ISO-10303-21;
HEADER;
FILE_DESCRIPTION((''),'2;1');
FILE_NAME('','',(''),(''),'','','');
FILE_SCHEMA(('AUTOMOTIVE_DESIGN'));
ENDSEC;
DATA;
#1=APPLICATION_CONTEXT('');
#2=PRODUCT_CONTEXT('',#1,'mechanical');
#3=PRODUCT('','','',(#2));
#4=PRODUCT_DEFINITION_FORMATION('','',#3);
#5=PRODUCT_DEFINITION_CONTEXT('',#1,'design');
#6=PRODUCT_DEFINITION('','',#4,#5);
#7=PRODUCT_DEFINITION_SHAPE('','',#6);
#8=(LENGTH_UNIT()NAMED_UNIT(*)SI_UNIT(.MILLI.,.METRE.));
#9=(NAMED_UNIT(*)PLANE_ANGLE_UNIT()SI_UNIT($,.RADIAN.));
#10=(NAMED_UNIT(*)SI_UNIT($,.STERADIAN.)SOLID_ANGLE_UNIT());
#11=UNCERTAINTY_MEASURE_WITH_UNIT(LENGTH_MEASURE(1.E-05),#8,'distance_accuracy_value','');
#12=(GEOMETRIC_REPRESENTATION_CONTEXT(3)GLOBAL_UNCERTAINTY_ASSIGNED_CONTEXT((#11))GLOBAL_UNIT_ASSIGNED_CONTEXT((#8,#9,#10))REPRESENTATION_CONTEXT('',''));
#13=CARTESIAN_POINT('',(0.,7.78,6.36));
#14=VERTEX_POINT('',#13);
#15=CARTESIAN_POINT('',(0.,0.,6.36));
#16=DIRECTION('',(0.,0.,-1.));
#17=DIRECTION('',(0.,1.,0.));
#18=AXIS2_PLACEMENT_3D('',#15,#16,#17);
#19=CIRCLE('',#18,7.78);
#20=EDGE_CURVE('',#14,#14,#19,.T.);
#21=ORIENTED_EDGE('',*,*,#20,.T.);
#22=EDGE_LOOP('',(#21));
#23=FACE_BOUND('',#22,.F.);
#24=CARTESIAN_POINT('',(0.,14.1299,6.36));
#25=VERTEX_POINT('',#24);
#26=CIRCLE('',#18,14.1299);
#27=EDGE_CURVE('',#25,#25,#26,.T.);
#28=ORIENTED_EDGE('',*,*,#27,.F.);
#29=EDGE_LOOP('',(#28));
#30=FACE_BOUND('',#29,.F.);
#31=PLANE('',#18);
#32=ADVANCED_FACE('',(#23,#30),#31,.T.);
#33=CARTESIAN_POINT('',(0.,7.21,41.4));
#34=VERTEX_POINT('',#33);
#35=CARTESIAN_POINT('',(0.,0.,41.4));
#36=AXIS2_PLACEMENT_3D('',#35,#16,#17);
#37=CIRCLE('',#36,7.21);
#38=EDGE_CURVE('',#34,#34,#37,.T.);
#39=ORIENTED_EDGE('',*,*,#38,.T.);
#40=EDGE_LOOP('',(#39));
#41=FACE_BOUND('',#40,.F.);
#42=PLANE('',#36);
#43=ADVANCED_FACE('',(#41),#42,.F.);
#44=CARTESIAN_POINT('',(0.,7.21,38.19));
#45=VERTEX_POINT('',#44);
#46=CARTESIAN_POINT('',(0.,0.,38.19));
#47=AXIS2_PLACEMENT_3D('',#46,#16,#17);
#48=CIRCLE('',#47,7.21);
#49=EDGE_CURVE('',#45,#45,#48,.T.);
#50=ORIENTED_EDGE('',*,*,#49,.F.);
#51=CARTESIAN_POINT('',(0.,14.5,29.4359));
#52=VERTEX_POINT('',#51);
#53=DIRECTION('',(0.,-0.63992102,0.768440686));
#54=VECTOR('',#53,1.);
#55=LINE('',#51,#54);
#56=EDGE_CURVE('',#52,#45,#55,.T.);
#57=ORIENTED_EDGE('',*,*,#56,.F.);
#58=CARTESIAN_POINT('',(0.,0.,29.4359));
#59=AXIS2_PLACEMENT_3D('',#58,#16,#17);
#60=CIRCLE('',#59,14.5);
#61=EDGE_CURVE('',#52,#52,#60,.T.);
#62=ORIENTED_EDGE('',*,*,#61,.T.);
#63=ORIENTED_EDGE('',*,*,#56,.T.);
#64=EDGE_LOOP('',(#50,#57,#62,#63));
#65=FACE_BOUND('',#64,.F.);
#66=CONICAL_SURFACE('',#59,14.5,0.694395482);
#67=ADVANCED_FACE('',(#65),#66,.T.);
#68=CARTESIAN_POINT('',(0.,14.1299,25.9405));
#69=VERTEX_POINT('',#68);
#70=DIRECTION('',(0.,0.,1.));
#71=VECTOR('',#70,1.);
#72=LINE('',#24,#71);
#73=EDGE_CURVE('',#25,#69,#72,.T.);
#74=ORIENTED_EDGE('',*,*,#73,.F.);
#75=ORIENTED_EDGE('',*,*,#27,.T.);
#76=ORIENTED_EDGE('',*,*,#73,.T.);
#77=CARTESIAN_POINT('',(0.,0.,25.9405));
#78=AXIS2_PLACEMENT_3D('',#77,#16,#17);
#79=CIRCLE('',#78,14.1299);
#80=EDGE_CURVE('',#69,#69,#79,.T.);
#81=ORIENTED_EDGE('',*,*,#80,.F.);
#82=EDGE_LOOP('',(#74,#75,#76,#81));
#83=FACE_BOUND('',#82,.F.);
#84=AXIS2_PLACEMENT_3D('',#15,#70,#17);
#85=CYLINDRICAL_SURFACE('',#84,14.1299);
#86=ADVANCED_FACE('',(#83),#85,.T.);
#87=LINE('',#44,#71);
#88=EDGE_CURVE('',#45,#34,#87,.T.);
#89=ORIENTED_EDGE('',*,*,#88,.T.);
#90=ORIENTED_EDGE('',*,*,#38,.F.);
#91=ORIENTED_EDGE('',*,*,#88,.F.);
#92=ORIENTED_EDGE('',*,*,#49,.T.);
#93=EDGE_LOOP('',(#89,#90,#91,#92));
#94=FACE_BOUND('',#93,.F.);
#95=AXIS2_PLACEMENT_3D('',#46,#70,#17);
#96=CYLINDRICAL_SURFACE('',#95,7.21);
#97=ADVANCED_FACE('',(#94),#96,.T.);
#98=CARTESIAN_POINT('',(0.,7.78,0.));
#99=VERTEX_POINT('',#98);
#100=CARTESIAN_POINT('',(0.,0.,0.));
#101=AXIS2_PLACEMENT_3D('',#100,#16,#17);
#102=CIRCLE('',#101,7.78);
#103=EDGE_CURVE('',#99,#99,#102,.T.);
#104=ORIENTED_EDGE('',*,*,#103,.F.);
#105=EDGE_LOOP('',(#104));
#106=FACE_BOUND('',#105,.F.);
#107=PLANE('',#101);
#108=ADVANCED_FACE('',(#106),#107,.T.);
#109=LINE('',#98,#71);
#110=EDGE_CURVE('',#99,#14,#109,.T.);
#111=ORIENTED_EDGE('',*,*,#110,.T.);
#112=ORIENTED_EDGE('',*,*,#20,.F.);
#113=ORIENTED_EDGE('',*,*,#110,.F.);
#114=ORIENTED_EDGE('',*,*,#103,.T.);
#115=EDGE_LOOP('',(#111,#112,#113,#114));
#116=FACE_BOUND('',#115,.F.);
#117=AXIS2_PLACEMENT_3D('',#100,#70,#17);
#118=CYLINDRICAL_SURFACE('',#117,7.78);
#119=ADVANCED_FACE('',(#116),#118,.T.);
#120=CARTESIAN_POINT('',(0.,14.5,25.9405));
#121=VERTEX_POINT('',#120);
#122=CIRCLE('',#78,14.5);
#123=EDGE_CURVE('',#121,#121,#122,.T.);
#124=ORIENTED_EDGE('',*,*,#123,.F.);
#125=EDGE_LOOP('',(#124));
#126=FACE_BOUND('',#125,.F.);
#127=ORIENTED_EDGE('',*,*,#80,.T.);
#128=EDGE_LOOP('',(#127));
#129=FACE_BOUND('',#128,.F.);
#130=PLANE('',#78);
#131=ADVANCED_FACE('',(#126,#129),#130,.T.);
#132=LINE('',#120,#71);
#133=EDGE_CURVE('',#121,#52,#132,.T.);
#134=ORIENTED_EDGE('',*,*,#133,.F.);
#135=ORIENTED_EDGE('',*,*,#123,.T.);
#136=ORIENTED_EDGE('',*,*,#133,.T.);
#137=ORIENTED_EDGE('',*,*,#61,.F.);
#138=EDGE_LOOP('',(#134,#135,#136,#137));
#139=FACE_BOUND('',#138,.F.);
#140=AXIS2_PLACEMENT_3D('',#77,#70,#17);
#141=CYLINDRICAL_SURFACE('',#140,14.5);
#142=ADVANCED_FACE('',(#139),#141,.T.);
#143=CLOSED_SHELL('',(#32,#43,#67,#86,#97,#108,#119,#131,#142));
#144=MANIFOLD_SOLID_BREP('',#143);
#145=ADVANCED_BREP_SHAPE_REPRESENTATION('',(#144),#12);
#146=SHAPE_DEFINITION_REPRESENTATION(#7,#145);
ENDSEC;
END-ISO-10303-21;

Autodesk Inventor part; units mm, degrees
ref_plane "YZ Plane" through (0, 0, 0) normal (1, 0, 0) x (0, 1, 0)
ref_plane "XZ Plane" through (0, 0, 0) normal (0, 1, 0) x (-1, 0, 0)
ref_plane "XY Plane" through (0, 0, 0) normal (0, 0, 1) x (1, 0, 0)
sketch "Sketch1" plane through (0, 0, 0) normal (1, 0, 0) x (0, 1, 0)
  line L0 (0, 0) -> (7.78, 0)
  line L1 (7.78, 0) -> (7.78, 6.36)
  line L2 (7.78, 6.36) -> (14.1299, 6.36)
  line L3 (14.1299, 6.36) -> (14.1299, 25.9405)
  line L4 (14.1299, 25.9405) -> (14.5, 25.9405)
  line L5 (14.5, 25.9405) -> (14.5, 29.4359)
  line L6 (14.5, 29.4359) -> (7.21, 38.19)
  line L7 (7.21, 38.19) -> (7.21, 41.4)
  line L8 (7.21, 41.4) -> (0, 41.4)
  line L9 (0, 41.4) -> (0, 0)
  dimension "d0" = 7.78
  dimension "d1" = 6.36
  dimension "d2" = 41.4
  dimension "d3" = 7.21
  dimension "d4" = 14.5
revolve "Revolution1" add sketch "Sketch1" angle 360 about axis through (0, 0, 41.4) along (0, 0, -1)
properties part number "00_Oxygen_Oxi"
